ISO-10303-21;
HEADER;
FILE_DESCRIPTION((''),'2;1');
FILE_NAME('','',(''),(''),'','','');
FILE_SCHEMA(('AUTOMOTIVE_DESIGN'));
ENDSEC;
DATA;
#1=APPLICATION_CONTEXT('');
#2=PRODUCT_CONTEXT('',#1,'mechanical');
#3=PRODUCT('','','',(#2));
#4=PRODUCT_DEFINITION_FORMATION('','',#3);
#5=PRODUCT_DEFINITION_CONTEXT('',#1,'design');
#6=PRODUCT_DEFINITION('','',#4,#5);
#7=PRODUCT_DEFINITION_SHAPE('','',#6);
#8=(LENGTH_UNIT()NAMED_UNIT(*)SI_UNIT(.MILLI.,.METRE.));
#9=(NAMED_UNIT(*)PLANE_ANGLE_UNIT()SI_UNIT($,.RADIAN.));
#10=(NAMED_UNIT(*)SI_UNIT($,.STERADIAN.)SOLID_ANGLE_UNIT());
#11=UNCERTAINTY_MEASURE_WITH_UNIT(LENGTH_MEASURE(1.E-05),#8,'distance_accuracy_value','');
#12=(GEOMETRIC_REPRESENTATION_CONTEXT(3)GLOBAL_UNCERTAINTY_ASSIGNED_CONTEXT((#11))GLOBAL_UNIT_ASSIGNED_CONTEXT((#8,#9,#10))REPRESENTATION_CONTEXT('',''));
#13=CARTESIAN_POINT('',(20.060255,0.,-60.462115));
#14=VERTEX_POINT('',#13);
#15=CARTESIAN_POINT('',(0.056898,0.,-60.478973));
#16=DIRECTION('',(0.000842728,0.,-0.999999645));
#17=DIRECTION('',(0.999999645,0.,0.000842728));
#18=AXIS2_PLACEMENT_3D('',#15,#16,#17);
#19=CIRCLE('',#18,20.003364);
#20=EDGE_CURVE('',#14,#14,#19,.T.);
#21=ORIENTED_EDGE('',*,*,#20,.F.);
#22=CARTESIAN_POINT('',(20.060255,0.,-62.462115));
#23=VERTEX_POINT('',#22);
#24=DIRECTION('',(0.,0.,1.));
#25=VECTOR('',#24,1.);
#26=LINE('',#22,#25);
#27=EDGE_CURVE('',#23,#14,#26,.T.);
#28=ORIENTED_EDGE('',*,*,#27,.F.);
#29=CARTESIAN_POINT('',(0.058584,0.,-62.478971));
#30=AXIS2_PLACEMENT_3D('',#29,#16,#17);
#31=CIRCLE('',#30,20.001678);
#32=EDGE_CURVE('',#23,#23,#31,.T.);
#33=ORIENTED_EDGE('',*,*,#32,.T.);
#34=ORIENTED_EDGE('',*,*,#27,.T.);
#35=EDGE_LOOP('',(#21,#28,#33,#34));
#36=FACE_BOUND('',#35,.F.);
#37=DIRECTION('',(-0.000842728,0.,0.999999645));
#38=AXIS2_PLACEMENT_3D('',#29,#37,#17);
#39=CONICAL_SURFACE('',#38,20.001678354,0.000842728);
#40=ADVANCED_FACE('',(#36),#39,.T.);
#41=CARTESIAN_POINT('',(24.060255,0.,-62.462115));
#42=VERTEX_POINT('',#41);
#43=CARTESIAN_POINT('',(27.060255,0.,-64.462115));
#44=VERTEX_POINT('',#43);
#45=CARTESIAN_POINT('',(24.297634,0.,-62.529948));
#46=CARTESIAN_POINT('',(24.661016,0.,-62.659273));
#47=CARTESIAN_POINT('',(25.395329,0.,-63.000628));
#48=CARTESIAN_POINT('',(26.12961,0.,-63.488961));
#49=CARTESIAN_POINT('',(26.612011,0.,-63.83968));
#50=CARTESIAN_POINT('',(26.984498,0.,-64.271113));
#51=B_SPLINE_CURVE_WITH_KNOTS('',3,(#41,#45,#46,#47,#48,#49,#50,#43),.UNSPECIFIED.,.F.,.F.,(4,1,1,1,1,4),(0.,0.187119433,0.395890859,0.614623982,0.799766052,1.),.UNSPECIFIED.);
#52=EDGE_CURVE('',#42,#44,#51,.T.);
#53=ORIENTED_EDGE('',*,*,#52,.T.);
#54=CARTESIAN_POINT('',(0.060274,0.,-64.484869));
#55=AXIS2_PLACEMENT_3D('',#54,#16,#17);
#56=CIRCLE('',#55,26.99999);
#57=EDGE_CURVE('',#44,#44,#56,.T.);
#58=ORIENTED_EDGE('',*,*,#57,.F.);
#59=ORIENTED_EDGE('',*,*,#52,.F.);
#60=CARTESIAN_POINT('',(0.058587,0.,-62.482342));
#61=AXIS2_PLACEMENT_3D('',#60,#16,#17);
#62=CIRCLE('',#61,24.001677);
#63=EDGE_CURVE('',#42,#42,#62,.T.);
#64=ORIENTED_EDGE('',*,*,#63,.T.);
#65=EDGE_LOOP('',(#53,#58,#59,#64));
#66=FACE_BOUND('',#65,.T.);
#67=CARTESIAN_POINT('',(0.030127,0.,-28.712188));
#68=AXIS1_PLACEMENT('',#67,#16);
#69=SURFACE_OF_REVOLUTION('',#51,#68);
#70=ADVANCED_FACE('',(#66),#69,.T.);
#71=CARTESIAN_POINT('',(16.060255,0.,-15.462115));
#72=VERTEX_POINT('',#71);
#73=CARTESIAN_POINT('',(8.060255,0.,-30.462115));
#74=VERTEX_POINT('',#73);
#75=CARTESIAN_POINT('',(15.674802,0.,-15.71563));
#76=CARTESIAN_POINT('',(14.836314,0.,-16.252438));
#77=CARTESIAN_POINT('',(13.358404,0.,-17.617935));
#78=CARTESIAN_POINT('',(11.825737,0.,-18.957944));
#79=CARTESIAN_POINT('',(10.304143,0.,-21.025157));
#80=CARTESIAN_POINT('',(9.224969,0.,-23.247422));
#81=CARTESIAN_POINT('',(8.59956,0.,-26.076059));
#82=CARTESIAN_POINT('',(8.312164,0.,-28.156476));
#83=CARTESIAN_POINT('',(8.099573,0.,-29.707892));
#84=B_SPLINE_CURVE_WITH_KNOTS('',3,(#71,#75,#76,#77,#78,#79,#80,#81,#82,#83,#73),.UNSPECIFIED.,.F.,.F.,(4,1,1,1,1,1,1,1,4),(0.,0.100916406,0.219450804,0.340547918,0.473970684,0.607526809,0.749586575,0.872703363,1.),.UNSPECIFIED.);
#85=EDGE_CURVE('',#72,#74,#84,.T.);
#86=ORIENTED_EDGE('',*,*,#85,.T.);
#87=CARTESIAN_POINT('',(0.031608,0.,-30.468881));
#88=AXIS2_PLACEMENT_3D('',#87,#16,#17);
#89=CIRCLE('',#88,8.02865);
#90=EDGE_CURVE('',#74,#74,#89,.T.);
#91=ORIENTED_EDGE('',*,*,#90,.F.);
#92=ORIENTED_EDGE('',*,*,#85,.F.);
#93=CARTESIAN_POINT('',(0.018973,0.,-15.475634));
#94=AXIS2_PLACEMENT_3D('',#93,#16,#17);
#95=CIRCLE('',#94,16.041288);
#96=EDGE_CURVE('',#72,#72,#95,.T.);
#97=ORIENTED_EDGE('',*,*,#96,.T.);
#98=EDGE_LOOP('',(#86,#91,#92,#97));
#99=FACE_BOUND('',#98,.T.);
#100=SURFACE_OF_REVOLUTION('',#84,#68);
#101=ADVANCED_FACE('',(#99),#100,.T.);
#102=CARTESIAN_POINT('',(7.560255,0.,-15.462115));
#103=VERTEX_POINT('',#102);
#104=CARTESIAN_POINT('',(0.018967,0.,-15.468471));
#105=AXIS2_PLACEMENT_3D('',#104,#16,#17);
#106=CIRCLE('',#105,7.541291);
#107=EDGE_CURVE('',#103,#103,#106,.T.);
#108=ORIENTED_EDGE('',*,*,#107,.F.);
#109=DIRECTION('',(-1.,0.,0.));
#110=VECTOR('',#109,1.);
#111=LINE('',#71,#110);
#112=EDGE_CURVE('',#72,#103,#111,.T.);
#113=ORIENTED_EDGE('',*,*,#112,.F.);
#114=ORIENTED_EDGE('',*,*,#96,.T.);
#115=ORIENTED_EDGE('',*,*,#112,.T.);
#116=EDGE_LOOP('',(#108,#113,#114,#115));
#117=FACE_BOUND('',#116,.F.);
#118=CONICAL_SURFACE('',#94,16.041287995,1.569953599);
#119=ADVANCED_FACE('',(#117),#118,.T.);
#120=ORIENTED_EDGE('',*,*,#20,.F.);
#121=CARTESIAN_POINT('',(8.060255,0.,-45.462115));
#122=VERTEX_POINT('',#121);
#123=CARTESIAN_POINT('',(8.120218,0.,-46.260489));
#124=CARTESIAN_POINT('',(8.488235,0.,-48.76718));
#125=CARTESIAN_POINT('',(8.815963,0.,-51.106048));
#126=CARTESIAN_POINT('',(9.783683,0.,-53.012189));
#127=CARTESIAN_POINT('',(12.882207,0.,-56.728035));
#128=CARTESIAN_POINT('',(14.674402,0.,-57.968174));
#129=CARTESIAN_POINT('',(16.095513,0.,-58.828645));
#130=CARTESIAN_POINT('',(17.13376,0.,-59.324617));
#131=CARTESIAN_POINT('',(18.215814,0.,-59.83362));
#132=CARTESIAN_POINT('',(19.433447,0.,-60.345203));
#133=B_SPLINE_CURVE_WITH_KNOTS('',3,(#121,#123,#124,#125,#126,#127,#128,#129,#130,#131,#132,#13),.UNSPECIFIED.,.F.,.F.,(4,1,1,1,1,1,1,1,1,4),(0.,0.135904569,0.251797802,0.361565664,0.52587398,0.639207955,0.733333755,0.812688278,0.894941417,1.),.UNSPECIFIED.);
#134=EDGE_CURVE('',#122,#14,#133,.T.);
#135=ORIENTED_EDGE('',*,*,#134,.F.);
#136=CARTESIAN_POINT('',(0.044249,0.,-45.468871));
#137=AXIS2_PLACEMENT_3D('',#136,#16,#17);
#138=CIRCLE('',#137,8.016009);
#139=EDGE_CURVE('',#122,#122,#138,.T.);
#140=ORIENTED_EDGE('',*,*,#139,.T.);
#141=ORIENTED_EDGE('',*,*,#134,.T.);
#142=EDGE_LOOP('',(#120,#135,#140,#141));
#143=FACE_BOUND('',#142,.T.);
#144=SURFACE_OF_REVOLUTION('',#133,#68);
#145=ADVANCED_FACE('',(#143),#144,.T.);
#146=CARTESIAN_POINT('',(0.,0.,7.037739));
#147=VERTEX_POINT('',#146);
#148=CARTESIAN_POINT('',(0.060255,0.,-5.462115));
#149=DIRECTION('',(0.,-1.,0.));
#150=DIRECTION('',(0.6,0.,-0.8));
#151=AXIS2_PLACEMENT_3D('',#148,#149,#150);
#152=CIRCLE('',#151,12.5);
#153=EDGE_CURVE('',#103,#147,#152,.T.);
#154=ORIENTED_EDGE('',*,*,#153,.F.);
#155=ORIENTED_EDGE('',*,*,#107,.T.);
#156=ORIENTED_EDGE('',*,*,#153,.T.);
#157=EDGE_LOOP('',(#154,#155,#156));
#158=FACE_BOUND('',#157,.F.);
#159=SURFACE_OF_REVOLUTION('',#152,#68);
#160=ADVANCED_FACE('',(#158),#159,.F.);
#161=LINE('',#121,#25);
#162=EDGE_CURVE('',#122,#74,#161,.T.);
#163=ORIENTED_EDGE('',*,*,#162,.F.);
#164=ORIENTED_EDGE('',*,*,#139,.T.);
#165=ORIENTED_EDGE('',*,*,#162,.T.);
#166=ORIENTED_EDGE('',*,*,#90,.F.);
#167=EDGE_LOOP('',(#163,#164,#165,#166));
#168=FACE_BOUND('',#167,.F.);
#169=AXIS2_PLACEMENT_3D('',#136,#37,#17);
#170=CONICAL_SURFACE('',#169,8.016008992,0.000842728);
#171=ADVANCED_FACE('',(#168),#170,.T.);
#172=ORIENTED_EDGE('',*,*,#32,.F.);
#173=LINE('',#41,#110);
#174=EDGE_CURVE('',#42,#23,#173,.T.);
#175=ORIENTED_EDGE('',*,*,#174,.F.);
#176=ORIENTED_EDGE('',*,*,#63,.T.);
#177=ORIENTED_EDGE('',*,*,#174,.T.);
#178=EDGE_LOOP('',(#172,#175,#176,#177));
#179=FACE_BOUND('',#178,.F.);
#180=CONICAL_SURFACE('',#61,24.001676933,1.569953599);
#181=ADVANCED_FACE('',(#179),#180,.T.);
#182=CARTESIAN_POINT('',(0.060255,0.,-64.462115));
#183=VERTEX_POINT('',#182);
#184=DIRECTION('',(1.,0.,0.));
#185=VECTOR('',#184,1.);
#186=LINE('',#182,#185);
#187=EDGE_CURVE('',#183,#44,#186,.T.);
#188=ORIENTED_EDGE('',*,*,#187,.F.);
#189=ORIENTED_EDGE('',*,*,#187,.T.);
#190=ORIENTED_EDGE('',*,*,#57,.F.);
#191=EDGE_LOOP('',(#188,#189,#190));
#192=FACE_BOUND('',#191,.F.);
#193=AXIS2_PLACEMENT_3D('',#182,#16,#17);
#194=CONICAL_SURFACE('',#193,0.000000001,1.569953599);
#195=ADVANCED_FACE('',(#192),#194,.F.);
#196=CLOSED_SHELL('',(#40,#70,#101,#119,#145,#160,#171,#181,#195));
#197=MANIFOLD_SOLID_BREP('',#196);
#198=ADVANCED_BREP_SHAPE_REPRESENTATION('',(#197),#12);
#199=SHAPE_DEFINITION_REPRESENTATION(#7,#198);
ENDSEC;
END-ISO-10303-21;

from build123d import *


with BuildPart() as f1:
    # F0 (on Front) → F1 (revolve)
    with BuildSketch(Plane.XZ):
        with BuildLine():
            Line((16.0602549567, -15.4621153726), (7.5602549567, -15.4621153726))
            ThreePointArc((7.5602549567, -15.4621153726), (11.9092345657, -1.4806982601), (0, 7.0377394002))
            Line((0, 7.0377394002), (0.0210680353, -17.9620539479))
            Line((0.0210680353, -17.9620539479), (0.0602549567, -64.4621153726))
            Line((0.0602549567, -64.4621153726), (27.0602549567, -64.4621153726))
            add(Edge.make_bspline(
                [(24.0602549567, -62.4621153726), (24.2976343533, -62.5299482609), (24.6610161779, -62.659273132), (25.3953288411, -63.000628175), (26.1296100935, -63.488961221), (26.6120109423, -63.8396804611), (26.9844977473, -64.2711132928), (27.0602549567, -64.4621153726)],
                knots=[0, 0, 0, 0, 0.1871194335, 0.395890859, 0.6146239818, 0.7997660524, 1, 1, 1, 1], degree=3))
            Line((24.0602549567, -62.4621153726), (20.0602549567, -62.4621153726))
            Line((20.0602549567, -62.4621153726), (20.0602549567, -60.4621153726))
            add(Edge.make_bspline(
                [(8.0602549567, -45.4621153726), (8.1202179338, -46.2604888161), (8.4882346329, -48.7671795342), (8.8159630246, -51.106048365), (9.7836826184, -53.012188928), (12.8822067968, -56.7280350203), (14.674401585, -57.9681740481), (16.0955126132, -58.8286453234), (17.1337599051, -59.3246168108), (18.2158143663, -59.8336196795), (19.4334469038, -60.3452031361), (20.0602549567, -60.4621153726)],
                knots=[0, 0, 0, 0, 0.1359045694, 0.2517978021, 0.3615656635, 0.5258739798, 0.6392079546, 0.7333337546, 0.8126882779, 0.8949414167, 1, 1, 1, 1], degree=3))
            Line((8.0602549567, -45.4621153726), (8.0602549567, -30.4621153726))
            add(Edge.make_bspline(
                [(16.0602549567, -15.4621153726), (15.6748016449, -15.7156297876), (14.8363137229, -16.2524384887), (13.3584036697, -17.6179345625), (11.8257365644, -18.9579435855), (10.3041434737, -21.0251573137), (9.2249686684, -23.247421733), (8.5995600709, -26.0760591157), (8.3121636182, -28.1564764322), (8.0995725705, -29.7078921018), (8.0602549567, -30.4621153726)],
                knots=[0, 0, 0, 0, 0.1009164062, 0.2194508043, 0.3405479184, 0.473970684, 0.607526809, 0.7495865753, 0.8727033634, 1, 1, 1, 1], degree=3))
        make_face()
    revolve(axis=Axis((0.0301274783, 0, -28.7121879862), (0.0008427281, 0, -0.9999996449)))


solid = f1.part
